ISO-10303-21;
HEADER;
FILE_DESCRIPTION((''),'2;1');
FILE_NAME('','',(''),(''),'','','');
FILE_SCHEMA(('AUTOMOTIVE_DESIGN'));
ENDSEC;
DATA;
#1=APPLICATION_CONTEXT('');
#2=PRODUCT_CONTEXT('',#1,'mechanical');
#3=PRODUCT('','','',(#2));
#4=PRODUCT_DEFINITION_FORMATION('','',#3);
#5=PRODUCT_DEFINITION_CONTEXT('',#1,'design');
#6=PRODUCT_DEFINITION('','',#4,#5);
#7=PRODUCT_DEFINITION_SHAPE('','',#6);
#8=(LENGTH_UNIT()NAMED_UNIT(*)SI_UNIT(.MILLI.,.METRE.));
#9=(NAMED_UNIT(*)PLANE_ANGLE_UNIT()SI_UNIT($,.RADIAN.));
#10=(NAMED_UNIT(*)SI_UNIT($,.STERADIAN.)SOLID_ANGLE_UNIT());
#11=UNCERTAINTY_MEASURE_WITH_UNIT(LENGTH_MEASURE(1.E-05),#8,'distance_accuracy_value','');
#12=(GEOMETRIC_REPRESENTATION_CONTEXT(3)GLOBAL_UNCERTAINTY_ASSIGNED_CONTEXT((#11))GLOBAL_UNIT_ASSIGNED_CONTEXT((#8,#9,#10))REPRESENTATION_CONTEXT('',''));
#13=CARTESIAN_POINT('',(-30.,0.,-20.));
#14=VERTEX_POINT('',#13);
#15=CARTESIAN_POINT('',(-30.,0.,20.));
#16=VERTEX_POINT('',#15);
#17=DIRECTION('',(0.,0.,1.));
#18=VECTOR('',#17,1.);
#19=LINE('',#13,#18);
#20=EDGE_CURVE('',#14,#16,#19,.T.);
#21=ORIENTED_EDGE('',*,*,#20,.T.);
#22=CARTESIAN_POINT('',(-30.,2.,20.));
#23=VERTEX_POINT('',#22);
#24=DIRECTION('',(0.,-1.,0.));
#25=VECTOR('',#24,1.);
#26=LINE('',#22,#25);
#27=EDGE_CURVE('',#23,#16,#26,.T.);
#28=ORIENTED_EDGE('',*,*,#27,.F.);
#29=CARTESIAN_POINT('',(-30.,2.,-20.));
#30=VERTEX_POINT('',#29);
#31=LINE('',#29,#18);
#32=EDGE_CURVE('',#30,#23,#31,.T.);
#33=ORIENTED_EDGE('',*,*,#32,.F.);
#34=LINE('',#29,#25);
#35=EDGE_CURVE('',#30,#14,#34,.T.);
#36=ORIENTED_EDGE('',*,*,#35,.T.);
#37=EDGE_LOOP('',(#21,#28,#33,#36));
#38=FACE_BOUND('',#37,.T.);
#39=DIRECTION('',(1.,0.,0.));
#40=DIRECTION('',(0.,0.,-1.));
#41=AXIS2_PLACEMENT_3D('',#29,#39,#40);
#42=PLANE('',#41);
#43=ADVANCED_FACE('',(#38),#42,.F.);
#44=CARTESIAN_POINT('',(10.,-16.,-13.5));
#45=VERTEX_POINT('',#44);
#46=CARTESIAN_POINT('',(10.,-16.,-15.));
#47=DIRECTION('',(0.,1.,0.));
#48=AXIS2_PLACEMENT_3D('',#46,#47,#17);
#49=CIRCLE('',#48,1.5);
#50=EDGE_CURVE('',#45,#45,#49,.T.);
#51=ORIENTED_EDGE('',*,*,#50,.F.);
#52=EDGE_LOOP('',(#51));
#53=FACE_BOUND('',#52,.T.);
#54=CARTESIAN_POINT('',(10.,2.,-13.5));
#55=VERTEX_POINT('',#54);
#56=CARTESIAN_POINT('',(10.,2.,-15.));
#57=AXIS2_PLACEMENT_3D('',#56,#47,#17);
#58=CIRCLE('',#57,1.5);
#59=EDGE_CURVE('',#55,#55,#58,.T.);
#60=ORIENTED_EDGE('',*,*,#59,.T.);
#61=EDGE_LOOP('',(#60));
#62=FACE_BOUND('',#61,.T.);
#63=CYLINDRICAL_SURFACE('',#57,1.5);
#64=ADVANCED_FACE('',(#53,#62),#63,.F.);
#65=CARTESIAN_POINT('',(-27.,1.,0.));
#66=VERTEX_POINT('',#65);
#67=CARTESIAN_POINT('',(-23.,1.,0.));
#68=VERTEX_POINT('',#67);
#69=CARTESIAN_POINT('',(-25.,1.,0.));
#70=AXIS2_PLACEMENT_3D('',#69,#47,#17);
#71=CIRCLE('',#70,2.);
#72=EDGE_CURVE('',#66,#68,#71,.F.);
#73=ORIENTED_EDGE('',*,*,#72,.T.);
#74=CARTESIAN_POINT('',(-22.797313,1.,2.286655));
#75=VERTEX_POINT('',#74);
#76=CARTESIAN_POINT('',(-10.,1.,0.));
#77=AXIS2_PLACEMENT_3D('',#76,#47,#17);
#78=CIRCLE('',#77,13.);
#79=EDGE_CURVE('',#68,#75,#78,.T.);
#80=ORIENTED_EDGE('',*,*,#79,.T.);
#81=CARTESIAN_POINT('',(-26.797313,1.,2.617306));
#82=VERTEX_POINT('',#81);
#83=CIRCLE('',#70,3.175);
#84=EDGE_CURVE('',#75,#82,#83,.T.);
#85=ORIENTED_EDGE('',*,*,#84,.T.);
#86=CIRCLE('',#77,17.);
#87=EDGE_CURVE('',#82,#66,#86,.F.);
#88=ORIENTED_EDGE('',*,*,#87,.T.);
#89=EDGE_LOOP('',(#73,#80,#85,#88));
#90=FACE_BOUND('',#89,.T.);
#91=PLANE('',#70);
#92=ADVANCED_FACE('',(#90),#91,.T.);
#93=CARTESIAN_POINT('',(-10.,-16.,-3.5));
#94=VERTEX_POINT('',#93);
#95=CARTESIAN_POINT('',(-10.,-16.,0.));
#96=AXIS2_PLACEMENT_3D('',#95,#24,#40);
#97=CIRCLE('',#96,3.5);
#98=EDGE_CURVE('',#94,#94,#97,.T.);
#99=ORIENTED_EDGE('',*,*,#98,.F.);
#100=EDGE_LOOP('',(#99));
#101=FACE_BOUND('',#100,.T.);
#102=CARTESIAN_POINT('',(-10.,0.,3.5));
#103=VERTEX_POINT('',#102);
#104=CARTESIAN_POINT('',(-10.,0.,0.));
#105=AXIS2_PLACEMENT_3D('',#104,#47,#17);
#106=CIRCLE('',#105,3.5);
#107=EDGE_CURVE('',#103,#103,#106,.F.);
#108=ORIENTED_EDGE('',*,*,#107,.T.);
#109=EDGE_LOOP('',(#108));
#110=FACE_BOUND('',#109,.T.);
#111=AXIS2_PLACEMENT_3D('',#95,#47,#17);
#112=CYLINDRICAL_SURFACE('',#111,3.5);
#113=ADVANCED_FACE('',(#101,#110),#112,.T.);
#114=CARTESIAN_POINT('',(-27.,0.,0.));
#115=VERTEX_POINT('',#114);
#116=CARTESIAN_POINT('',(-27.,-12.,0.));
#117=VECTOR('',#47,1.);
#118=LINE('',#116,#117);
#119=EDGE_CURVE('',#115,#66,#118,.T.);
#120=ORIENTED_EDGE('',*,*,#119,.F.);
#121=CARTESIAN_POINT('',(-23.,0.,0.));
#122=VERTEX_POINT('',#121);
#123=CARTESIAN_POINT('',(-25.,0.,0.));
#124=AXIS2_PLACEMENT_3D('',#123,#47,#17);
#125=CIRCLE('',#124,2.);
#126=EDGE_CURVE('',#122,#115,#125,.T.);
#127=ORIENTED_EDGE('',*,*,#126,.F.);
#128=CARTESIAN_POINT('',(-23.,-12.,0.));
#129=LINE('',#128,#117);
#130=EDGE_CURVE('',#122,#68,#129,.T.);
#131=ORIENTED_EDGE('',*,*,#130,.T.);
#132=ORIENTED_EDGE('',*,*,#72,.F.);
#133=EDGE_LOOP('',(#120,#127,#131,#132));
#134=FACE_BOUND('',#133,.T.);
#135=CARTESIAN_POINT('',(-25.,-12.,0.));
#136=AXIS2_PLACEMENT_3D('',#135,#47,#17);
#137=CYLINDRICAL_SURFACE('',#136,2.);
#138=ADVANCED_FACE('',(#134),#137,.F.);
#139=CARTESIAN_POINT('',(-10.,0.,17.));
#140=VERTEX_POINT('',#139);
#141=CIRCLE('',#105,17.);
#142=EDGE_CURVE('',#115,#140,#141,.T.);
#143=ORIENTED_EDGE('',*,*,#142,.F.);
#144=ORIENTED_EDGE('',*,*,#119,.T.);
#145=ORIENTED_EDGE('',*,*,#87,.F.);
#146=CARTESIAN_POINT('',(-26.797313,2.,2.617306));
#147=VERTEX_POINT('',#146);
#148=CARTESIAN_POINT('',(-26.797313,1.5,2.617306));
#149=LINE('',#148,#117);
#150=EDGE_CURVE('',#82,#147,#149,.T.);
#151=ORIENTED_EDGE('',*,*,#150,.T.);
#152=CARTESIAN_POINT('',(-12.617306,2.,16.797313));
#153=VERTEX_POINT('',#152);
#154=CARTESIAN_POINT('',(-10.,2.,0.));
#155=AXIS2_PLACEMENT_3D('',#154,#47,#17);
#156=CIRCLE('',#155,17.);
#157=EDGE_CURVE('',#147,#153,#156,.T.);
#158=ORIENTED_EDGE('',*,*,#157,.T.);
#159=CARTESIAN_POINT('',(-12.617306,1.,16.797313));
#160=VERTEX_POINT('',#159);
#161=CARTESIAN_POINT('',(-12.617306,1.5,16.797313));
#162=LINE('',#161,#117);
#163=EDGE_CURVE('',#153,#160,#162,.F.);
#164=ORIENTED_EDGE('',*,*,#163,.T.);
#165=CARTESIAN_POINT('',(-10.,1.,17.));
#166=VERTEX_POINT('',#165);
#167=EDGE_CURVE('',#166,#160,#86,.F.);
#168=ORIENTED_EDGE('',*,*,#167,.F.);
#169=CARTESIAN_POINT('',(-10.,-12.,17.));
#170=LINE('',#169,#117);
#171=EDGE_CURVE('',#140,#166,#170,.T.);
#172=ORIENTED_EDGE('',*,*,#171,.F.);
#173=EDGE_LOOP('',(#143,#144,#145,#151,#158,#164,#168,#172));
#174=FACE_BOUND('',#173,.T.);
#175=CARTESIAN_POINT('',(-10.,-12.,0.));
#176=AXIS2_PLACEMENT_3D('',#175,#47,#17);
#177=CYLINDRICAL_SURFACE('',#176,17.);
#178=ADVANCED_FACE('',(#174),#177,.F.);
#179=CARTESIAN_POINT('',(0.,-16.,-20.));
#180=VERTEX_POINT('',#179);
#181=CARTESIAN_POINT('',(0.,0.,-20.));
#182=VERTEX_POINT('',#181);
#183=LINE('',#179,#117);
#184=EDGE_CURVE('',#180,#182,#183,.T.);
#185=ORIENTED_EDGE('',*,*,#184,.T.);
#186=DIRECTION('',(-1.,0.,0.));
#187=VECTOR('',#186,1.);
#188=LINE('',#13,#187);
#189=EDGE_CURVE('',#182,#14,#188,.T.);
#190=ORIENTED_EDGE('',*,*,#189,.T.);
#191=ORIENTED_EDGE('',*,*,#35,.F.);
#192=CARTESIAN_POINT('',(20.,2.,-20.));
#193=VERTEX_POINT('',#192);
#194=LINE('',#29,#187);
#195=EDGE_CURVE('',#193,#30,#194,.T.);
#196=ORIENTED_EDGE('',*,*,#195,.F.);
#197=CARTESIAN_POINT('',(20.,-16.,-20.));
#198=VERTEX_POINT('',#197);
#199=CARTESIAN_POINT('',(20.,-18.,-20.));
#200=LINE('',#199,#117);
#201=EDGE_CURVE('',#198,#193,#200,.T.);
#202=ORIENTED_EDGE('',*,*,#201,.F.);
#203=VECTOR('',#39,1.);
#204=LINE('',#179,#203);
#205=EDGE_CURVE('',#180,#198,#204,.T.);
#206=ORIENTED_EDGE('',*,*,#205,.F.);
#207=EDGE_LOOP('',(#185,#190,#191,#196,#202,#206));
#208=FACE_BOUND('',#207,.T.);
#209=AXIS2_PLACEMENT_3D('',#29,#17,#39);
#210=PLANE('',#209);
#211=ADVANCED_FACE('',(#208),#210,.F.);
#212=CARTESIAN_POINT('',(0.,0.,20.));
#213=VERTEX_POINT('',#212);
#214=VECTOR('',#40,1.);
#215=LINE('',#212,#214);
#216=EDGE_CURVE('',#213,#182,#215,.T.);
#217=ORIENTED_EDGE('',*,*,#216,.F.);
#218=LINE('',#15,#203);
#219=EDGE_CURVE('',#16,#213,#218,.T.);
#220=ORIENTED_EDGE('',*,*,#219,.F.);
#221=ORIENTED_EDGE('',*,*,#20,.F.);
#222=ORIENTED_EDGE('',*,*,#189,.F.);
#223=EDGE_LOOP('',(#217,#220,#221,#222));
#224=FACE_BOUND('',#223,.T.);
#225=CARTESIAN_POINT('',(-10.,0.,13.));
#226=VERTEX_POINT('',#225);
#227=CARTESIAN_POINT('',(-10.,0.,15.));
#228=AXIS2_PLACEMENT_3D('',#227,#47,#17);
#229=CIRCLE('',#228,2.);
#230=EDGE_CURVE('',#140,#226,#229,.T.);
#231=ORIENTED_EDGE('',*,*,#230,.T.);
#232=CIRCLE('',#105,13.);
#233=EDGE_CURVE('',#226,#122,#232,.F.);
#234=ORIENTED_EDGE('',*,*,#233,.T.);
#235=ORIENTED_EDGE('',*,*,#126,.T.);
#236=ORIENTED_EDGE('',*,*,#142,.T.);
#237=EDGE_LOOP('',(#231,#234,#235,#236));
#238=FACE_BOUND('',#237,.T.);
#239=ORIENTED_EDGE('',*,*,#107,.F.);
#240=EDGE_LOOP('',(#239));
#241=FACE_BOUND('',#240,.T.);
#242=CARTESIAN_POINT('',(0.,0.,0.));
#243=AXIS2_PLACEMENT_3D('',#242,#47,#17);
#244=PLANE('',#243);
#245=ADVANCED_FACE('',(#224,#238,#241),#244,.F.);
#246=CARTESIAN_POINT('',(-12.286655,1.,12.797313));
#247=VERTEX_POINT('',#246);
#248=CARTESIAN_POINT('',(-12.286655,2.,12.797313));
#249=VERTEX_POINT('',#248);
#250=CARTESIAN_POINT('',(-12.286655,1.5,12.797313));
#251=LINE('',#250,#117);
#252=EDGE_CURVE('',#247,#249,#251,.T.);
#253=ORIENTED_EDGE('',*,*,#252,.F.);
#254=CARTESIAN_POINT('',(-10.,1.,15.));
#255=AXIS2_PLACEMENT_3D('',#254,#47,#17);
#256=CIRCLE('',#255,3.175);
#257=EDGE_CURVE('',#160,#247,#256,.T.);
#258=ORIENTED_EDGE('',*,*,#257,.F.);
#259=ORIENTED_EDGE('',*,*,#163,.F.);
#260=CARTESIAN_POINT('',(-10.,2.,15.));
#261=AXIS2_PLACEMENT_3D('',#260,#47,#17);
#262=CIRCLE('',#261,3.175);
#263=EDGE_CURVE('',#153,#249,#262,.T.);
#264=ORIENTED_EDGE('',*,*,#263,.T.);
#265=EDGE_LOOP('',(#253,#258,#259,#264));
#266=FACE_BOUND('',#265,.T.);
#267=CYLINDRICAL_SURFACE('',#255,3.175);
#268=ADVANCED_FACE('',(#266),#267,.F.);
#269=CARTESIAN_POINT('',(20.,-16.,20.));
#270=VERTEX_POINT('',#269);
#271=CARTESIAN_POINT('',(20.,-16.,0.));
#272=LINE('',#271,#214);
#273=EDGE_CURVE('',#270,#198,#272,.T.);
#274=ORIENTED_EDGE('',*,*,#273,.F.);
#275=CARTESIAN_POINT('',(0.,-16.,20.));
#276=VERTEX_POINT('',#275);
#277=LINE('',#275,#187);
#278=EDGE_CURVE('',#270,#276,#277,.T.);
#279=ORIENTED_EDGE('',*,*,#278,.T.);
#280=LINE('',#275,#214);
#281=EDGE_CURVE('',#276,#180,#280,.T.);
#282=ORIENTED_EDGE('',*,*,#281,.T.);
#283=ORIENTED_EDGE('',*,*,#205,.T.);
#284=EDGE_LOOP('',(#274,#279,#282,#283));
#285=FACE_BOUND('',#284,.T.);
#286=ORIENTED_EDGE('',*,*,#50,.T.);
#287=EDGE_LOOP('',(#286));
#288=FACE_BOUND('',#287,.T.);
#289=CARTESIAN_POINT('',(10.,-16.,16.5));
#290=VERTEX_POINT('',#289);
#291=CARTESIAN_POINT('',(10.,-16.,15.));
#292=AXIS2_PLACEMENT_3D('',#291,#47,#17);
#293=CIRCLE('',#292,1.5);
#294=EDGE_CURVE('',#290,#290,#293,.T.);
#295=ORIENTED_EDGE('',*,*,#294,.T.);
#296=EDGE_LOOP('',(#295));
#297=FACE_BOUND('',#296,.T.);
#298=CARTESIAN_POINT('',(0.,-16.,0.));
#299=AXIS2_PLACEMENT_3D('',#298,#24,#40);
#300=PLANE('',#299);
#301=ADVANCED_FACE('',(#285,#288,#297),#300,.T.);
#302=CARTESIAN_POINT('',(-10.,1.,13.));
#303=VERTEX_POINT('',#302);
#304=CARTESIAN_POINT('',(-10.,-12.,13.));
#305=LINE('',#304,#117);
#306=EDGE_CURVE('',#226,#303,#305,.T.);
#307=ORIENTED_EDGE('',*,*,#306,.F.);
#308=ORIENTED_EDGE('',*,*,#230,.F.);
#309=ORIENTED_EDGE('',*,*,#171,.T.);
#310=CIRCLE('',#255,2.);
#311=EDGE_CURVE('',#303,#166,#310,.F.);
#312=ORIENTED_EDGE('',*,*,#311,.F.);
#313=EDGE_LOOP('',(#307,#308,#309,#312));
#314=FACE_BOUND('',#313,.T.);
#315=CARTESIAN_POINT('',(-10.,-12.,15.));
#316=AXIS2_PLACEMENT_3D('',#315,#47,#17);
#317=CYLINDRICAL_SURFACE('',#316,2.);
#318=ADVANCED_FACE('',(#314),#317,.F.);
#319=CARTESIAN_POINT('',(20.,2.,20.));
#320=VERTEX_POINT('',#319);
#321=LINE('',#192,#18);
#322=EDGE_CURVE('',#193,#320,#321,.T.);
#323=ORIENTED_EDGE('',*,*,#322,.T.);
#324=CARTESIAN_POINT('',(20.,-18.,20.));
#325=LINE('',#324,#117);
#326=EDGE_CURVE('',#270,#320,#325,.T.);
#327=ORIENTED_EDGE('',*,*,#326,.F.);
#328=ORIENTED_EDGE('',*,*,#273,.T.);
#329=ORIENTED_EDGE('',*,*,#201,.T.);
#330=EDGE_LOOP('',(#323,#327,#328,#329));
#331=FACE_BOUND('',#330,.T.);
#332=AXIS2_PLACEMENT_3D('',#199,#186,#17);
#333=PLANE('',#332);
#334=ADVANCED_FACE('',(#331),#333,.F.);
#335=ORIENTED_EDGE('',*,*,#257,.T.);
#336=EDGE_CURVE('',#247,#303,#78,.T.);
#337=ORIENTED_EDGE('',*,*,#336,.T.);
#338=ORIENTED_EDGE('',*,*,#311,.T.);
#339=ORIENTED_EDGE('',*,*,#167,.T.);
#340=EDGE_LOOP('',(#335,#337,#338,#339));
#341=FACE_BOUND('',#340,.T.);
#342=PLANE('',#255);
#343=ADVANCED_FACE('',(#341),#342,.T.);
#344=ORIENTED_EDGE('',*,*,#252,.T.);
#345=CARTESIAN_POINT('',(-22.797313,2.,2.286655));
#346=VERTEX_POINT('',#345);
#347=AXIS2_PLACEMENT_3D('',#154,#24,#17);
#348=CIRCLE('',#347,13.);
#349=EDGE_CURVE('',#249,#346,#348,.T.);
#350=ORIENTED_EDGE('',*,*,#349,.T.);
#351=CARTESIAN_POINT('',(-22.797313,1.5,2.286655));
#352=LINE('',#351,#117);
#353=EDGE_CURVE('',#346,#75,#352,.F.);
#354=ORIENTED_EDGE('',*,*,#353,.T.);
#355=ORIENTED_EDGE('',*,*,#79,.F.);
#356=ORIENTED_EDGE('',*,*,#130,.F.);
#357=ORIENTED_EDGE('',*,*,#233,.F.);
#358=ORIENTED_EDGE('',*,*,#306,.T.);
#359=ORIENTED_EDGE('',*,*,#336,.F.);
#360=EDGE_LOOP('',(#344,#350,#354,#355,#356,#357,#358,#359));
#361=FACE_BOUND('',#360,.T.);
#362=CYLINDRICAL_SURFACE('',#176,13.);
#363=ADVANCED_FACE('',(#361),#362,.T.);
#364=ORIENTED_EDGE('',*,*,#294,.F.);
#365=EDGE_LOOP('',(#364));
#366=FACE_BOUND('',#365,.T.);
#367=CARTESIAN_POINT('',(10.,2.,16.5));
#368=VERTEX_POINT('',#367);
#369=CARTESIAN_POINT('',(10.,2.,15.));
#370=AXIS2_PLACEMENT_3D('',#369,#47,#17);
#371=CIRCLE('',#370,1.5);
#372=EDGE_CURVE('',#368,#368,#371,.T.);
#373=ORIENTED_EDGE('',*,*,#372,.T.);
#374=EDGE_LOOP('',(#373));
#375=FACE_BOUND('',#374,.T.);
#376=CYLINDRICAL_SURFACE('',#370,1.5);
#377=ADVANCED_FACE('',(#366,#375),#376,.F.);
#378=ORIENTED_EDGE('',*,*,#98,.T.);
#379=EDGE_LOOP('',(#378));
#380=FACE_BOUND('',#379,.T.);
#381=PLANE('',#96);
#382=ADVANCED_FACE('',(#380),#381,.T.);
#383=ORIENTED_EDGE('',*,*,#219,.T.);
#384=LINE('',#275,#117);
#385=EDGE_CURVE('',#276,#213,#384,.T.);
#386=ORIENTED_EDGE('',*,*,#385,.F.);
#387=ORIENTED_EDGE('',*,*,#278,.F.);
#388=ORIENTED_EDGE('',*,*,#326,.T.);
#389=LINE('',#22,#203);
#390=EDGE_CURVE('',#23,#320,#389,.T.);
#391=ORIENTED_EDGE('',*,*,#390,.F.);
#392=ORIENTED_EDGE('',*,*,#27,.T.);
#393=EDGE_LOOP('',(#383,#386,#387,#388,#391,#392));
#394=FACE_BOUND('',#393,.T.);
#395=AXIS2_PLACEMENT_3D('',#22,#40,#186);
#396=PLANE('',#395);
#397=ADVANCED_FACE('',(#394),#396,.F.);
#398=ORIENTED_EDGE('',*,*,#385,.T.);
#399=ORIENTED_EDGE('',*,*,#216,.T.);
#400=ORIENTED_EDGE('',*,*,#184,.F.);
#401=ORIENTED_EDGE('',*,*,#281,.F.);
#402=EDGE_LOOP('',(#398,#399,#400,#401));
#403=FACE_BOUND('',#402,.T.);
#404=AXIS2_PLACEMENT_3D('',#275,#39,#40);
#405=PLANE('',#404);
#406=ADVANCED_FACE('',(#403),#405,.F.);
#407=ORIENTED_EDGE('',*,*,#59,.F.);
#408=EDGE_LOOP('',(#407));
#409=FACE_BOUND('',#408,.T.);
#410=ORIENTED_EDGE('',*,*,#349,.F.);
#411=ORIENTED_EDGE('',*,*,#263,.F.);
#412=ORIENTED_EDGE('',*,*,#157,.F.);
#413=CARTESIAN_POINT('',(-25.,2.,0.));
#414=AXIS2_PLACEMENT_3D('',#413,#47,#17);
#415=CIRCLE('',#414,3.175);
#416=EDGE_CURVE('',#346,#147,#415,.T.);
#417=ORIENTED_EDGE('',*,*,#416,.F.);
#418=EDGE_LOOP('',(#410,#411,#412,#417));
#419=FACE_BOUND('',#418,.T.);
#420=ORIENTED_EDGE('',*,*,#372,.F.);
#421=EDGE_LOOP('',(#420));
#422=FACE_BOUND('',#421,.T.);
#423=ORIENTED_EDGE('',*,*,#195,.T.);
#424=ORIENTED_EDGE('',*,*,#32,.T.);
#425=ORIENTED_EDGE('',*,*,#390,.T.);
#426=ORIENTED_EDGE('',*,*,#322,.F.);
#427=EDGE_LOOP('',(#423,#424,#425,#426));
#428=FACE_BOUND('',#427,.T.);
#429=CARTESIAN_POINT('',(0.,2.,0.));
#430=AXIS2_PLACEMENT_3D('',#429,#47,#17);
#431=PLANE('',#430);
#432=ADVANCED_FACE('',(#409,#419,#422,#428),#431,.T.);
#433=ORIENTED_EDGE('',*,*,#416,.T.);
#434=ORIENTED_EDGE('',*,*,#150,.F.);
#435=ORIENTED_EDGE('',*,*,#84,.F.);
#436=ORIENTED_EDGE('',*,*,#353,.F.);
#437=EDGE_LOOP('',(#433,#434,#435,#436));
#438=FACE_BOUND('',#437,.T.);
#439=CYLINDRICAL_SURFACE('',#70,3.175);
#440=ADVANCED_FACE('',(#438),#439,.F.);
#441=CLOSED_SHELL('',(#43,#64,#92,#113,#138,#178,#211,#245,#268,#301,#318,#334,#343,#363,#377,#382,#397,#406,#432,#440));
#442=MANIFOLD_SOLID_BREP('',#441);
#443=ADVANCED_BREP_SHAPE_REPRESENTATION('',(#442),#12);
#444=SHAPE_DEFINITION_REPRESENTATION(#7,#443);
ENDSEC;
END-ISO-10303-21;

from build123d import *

# Parameters (mm, degrees)
SKETCH1_W             = 60
SKETCH1_H             = 40
BOSS_EXTRUDE1_DEPTH   = 2
CUT_EXTRUDE1_DEPTH    = 14
SKETCH5_R             = 3.5
BOSS_EXTRUDE3_DEPTH   = 16
SKETCH6_W             = 30
SKETCH6_H             = 40
BOSS_EXTRUDE4_DEPTH   = 16
SKETCH8_R             = 3.175
CUT_EXTRUDE2_DEPTH    = 1
SKETCH9_W             = 10
SKETCH9_H             = 40
CUT_EXTRUDE3_DEPTH    = 20
F_3_0MM_DOWEL_HOLE1_D = 3


with BuildPart() as part:
    # Sketch1 → Boss-Extrude1 (new body)
    with BuildSketch(Plane(origin=(0, 0, 0), x_dir=(1, 0, 0), z_dir=(0, 1, 0))):
        Rectangle(SKETCH1_W, SKETCH1_H)
    extrude(amount=BOSS_EXTRUDE1_DEPTH)

    # Sketch4 → Cut-Extrude1 (cut)
    with BuildSketch(Plane(origin=(0, 2, 0), x_dir=(1, 0, 0), z_dir=(0, 1, 0))):
        with BuildLine():
            ThreePointArc((-23, 0), (-19.192388155, -9.192388155), (-10, -13))
            ThreePointArc((-10, -13), (-8, -15), (-10, -17))
            ThreePointArc((-10, -17), (-22.02081528, -12.02081528), (-27, 0))
            ThreePointArc((-27, 0), (-25, 2), (-23, 0))
        make_face()
    extrude(amount=-CUT_EXTRUDE1_DEPTH, mode=Mode.SUBTRACT)

    # Sketch5 → Boss-Extrude3 (add)
    with BuildSketch(Plane.XZ):
        with Locations(Location((-10, 0, 0), (0, 0, 90))):
            Circle(SKETCH5_R)
    extrude(amount=BOSS_EXTRUDE3_DEPTH)

    # Sketch6 → Boss-Extrude4 (add)
    with BuildSketch(Plane.XZ):
        with Locations((15, 0)):
            Rectangle(SKETCH6_W, SKETCH6_H)
    extrude(amount=BOSS_EXTRUDE4_DEPTH)

    # Sketch8 → Cut-Extrude2 (cut)
    with BuildSketch(Plane(origin=(0, 2, 0), x_dir=(1, 0, 0), z_dir=(0, 1, 0))):
        with Locations((-25, 0)):
            Circle(SKETCH8_R)
        with Locations((-10, -15)):
            Circle(SKETCH8_R)
    extrude(amount=-CUT_EXTRUDE2_DEPTH, mode=Mode.SUBTRACT)

    # Sketch9 → Cut-Extrude3 (cut)
    with BuildSketch(Plane(origin=(0, 2, 0), x_dir=(1, 0, 0), z_dir=(0, 1, 0))):
        with Locations((25, 0)):
            Rectangle(SKETCH9_W, SKETCH9_H)
    extrude(amount=-CUT_EXTRUDE3_DEPTH, mode=Mode.SUBTRACT)

    # Ø3.0mm Dowel Hole1 (through all)
    with Locations(Plane(origin=(0, 2, 0), x_dir=(1, 0, 0), z_dir=(0, 1, 0))):
        with Locations((10, 15), (10, -15)):
            Hole(F_3_0MM_DOWEL_HOLE1_D / 2)


solid = part.part
